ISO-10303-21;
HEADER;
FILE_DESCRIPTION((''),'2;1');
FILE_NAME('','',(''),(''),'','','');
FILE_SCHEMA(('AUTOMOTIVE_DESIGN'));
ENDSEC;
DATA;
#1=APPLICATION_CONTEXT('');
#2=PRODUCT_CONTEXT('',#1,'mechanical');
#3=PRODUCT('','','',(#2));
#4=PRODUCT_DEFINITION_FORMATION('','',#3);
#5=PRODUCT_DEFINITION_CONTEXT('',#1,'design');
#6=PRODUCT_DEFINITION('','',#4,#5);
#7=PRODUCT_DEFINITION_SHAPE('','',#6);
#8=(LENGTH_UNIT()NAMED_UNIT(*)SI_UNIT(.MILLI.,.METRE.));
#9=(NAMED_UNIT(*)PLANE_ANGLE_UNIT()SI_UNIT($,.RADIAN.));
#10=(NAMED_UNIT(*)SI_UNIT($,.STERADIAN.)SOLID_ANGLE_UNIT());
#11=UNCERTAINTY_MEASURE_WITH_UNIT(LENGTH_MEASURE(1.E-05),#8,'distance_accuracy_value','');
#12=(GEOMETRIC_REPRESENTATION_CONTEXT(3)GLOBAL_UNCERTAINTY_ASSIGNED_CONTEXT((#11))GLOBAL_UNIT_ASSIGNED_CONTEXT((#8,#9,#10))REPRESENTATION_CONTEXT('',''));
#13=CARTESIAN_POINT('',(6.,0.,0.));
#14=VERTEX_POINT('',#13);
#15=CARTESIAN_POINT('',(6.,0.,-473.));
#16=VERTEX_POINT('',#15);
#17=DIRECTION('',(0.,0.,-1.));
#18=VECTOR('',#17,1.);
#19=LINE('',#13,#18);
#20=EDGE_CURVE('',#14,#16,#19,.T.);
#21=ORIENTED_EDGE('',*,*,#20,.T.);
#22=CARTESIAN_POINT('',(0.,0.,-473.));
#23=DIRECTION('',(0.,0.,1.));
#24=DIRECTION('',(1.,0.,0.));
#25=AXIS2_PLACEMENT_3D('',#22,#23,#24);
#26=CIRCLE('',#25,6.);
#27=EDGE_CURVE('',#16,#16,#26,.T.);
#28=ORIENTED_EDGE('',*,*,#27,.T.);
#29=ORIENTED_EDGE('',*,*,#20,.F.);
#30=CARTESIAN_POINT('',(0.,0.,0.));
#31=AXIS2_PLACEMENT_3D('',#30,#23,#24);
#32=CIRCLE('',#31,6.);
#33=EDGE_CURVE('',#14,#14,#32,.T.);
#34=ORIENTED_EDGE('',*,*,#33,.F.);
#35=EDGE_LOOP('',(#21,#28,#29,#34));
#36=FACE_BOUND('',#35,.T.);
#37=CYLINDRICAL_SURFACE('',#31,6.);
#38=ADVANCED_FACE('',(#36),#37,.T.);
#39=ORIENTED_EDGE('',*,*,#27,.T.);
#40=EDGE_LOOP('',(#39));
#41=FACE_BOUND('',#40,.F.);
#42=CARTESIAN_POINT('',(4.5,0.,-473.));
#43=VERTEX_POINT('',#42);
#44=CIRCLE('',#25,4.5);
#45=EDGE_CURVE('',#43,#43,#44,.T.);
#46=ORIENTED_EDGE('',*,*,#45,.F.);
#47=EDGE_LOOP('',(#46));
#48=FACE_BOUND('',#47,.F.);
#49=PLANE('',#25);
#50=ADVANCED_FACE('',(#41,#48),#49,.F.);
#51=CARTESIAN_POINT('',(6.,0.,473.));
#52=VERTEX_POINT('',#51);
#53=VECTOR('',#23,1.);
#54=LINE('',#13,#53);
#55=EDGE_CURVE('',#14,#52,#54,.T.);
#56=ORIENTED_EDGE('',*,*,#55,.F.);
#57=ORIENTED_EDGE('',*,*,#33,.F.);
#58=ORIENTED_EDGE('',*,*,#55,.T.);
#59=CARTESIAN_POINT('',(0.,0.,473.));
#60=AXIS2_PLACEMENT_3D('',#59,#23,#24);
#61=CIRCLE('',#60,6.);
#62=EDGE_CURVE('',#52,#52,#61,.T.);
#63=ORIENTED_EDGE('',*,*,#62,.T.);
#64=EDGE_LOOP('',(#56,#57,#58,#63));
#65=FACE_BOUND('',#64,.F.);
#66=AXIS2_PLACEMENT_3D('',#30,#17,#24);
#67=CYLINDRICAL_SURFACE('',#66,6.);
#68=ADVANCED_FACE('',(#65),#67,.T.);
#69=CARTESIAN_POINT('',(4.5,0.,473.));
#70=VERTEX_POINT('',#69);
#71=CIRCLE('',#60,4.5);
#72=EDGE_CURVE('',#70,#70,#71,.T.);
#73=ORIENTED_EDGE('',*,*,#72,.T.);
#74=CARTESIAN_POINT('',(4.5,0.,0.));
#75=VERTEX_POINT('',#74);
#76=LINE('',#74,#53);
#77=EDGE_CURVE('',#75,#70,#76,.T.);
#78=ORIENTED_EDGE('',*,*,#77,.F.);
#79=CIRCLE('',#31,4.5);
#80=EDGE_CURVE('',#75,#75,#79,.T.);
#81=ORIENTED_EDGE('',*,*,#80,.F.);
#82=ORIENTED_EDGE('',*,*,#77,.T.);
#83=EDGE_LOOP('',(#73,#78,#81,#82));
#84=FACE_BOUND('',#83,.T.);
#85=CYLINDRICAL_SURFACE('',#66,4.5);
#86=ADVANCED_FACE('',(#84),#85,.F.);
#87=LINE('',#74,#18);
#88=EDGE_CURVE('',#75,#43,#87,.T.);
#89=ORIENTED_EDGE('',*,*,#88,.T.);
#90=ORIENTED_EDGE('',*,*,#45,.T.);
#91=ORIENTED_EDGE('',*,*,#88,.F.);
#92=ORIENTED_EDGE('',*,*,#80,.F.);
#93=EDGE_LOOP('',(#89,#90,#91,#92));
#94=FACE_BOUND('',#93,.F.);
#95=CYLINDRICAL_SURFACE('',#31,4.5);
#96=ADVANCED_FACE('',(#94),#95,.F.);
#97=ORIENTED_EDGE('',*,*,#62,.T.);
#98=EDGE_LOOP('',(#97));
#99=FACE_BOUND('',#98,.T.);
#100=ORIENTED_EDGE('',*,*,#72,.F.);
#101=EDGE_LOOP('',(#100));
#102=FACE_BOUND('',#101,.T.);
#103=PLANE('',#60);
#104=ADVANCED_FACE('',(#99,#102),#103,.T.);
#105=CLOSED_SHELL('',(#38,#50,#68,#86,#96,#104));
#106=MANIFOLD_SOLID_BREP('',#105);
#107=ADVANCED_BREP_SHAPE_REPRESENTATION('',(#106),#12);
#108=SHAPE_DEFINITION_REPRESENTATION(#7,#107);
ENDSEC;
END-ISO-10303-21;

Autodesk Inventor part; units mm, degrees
ref_plane "YZ Plane" through (0, 0, 0) normal (1, 0, 0) x (0, 1, 0)
ref_plane "XZ Plane" through (0, 0, 0) normal (0, 1, 0) x (-1, 0, 0)
ref_plane "XY Plane" through (0, 0, 0) normal (0, 0, 1) x (1, 0, 0)
sketch "スケッチ1" plane through (0, 0, 0) normal (0, 0, 1) x (1, 0, 0)
  circle A0 centre (0, 0) radius 6
  circle A1 centre (0, 0) radius 4.5
  dimension "d0" = 1.5
  dimension "d1" = 12
extrude "押し出し1" add sketch "スケッチ1" along normal mid plane 946
properties part number "axis_r1" material "鉄、可鍛鉄"
